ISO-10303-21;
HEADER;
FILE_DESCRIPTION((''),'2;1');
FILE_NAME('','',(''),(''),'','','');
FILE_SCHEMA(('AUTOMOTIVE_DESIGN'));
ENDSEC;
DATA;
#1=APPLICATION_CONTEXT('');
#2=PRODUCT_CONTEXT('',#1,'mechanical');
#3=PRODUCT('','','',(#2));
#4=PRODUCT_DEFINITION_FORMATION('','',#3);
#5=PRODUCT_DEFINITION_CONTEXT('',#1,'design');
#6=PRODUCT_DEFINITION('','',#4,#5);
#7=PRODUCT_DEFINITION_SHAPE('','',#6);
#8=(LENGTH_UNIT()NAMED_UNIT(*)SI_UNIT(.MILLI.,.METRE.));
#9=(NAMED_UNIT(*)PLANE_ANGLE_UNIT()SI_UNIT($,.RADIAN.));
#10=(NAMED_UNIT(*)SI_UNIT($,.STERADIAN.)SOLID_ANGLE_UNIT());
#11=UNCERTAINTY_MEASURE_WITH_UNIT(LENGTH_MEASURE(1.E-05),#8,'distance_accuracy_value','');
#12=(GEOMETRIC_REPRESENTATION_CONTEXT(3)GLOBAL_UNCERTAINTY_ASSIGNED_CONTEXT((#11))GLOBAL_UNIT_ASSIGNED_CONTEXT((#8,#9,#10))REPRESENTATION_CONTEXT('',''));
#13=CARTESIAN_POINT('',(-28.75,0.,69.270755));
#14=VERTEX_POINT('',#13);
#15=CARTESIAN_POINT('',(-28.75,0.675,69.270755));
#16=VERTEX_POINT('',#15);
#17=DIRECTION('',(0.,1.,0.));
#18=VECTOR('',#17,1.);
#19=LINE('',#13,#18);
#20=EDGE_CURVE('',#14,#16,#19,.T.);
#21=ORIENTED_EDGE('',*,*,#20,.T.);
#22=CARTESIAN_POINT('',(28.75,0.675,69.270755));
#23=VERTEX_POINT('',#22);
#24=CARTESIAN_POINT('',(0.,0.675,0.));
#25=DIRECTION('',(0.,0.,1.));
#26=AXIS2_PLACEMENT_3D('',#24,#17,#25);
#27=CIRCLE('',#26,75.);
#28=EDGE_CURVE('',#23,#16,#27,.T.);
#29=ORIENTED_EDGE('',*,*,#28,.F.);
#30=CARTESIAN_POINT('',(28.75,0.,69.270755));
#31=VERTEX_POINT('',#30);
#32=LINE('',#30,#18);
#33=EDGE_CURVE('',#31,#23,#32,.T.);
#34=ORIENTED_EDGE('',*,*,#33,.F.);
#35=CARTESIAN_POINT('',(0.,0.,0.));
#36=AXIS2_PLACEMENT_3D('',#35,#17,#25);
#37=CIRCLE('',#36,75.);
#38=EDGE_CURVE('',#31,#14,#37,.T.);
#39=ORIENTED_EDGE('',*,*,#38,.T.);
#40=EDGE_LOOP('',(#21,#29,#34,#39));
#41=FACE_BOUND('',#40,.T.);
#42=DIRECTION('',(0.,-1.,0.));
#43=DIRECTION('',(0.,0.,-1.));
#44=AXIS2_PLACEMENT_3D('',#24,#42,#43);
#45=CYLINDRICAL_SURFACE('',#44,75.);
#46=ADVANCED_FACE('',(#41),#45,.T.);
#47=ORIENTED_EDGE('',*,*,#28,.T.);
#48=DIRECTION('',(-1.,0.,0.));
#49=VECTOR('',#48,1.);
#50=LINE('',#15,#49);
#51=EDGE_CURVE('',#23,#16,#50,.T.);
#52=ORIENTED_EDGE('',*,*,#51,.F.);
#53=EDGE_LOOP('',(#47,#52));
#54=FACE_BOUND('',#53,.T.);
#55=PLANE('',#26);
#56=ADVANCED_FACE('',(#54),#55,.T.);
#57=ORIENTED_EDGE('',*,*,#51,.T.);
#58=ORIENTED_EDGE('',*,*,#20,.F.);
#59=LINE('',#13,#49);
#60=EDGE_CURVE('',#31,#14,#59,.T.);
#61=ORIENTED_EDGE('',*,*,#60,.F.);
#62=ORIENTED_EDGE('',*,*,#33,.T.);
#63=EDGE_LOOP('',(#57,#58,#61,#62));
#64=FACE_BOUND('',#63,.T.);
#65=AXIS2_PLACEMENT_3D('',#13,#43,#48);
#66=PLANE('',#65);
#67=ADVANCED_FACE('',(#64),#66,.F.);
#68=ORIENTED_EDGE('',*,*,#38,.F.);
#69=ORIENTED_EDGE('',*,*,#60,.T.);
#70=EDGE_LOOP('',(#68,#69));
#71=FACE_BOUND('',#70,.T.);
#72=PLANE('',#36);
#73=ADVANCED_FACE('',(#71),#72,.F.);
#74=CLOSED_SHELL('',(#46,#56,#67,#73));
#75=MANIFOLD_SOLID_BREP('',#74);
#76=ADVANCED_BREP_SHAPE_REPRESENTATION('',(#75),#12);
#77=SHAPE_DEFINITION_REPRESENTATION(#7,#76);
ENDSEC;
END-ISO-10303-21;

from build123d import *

# Parameters (mm, degrees)
SKETCH1_R           = 75
BOSS_EXTRUDE1_DEPTH = 0.675
SKETCH2_W           = 57.5
SKETCH2_H           = 28.23011143
CUT_EXTRUDE1_DEPTH  = 0.675


with BuildPart() as part:
    # Sketch1 → Boss-Extrude1 (new body)
    with BuildSketch(Plane(origin=(0, 0, 0), x_dir=(1, 0, 0), z_dir=(0, 1, 0))):
        Circle(SKETCH1_R)
    extrude(amount=BOSS_EXTRUDE1_DEPTH)

    # Sketch2 → Cut-Extrude1 (cut)
    with BuildSketch(Plane(origin=(0, 0.675, 0), x_dir=(1, 0, 0), z_dir=(0, 1, 0))):
        with Locations((0, -83.385810727)):
            Rectangle(SKETCH2_W, SKETCH2_H)
    extrude(amount=-CUT_EXTRUDE1_DEPTH, mode=Mode.SUBTRACT)


solid = part.part
